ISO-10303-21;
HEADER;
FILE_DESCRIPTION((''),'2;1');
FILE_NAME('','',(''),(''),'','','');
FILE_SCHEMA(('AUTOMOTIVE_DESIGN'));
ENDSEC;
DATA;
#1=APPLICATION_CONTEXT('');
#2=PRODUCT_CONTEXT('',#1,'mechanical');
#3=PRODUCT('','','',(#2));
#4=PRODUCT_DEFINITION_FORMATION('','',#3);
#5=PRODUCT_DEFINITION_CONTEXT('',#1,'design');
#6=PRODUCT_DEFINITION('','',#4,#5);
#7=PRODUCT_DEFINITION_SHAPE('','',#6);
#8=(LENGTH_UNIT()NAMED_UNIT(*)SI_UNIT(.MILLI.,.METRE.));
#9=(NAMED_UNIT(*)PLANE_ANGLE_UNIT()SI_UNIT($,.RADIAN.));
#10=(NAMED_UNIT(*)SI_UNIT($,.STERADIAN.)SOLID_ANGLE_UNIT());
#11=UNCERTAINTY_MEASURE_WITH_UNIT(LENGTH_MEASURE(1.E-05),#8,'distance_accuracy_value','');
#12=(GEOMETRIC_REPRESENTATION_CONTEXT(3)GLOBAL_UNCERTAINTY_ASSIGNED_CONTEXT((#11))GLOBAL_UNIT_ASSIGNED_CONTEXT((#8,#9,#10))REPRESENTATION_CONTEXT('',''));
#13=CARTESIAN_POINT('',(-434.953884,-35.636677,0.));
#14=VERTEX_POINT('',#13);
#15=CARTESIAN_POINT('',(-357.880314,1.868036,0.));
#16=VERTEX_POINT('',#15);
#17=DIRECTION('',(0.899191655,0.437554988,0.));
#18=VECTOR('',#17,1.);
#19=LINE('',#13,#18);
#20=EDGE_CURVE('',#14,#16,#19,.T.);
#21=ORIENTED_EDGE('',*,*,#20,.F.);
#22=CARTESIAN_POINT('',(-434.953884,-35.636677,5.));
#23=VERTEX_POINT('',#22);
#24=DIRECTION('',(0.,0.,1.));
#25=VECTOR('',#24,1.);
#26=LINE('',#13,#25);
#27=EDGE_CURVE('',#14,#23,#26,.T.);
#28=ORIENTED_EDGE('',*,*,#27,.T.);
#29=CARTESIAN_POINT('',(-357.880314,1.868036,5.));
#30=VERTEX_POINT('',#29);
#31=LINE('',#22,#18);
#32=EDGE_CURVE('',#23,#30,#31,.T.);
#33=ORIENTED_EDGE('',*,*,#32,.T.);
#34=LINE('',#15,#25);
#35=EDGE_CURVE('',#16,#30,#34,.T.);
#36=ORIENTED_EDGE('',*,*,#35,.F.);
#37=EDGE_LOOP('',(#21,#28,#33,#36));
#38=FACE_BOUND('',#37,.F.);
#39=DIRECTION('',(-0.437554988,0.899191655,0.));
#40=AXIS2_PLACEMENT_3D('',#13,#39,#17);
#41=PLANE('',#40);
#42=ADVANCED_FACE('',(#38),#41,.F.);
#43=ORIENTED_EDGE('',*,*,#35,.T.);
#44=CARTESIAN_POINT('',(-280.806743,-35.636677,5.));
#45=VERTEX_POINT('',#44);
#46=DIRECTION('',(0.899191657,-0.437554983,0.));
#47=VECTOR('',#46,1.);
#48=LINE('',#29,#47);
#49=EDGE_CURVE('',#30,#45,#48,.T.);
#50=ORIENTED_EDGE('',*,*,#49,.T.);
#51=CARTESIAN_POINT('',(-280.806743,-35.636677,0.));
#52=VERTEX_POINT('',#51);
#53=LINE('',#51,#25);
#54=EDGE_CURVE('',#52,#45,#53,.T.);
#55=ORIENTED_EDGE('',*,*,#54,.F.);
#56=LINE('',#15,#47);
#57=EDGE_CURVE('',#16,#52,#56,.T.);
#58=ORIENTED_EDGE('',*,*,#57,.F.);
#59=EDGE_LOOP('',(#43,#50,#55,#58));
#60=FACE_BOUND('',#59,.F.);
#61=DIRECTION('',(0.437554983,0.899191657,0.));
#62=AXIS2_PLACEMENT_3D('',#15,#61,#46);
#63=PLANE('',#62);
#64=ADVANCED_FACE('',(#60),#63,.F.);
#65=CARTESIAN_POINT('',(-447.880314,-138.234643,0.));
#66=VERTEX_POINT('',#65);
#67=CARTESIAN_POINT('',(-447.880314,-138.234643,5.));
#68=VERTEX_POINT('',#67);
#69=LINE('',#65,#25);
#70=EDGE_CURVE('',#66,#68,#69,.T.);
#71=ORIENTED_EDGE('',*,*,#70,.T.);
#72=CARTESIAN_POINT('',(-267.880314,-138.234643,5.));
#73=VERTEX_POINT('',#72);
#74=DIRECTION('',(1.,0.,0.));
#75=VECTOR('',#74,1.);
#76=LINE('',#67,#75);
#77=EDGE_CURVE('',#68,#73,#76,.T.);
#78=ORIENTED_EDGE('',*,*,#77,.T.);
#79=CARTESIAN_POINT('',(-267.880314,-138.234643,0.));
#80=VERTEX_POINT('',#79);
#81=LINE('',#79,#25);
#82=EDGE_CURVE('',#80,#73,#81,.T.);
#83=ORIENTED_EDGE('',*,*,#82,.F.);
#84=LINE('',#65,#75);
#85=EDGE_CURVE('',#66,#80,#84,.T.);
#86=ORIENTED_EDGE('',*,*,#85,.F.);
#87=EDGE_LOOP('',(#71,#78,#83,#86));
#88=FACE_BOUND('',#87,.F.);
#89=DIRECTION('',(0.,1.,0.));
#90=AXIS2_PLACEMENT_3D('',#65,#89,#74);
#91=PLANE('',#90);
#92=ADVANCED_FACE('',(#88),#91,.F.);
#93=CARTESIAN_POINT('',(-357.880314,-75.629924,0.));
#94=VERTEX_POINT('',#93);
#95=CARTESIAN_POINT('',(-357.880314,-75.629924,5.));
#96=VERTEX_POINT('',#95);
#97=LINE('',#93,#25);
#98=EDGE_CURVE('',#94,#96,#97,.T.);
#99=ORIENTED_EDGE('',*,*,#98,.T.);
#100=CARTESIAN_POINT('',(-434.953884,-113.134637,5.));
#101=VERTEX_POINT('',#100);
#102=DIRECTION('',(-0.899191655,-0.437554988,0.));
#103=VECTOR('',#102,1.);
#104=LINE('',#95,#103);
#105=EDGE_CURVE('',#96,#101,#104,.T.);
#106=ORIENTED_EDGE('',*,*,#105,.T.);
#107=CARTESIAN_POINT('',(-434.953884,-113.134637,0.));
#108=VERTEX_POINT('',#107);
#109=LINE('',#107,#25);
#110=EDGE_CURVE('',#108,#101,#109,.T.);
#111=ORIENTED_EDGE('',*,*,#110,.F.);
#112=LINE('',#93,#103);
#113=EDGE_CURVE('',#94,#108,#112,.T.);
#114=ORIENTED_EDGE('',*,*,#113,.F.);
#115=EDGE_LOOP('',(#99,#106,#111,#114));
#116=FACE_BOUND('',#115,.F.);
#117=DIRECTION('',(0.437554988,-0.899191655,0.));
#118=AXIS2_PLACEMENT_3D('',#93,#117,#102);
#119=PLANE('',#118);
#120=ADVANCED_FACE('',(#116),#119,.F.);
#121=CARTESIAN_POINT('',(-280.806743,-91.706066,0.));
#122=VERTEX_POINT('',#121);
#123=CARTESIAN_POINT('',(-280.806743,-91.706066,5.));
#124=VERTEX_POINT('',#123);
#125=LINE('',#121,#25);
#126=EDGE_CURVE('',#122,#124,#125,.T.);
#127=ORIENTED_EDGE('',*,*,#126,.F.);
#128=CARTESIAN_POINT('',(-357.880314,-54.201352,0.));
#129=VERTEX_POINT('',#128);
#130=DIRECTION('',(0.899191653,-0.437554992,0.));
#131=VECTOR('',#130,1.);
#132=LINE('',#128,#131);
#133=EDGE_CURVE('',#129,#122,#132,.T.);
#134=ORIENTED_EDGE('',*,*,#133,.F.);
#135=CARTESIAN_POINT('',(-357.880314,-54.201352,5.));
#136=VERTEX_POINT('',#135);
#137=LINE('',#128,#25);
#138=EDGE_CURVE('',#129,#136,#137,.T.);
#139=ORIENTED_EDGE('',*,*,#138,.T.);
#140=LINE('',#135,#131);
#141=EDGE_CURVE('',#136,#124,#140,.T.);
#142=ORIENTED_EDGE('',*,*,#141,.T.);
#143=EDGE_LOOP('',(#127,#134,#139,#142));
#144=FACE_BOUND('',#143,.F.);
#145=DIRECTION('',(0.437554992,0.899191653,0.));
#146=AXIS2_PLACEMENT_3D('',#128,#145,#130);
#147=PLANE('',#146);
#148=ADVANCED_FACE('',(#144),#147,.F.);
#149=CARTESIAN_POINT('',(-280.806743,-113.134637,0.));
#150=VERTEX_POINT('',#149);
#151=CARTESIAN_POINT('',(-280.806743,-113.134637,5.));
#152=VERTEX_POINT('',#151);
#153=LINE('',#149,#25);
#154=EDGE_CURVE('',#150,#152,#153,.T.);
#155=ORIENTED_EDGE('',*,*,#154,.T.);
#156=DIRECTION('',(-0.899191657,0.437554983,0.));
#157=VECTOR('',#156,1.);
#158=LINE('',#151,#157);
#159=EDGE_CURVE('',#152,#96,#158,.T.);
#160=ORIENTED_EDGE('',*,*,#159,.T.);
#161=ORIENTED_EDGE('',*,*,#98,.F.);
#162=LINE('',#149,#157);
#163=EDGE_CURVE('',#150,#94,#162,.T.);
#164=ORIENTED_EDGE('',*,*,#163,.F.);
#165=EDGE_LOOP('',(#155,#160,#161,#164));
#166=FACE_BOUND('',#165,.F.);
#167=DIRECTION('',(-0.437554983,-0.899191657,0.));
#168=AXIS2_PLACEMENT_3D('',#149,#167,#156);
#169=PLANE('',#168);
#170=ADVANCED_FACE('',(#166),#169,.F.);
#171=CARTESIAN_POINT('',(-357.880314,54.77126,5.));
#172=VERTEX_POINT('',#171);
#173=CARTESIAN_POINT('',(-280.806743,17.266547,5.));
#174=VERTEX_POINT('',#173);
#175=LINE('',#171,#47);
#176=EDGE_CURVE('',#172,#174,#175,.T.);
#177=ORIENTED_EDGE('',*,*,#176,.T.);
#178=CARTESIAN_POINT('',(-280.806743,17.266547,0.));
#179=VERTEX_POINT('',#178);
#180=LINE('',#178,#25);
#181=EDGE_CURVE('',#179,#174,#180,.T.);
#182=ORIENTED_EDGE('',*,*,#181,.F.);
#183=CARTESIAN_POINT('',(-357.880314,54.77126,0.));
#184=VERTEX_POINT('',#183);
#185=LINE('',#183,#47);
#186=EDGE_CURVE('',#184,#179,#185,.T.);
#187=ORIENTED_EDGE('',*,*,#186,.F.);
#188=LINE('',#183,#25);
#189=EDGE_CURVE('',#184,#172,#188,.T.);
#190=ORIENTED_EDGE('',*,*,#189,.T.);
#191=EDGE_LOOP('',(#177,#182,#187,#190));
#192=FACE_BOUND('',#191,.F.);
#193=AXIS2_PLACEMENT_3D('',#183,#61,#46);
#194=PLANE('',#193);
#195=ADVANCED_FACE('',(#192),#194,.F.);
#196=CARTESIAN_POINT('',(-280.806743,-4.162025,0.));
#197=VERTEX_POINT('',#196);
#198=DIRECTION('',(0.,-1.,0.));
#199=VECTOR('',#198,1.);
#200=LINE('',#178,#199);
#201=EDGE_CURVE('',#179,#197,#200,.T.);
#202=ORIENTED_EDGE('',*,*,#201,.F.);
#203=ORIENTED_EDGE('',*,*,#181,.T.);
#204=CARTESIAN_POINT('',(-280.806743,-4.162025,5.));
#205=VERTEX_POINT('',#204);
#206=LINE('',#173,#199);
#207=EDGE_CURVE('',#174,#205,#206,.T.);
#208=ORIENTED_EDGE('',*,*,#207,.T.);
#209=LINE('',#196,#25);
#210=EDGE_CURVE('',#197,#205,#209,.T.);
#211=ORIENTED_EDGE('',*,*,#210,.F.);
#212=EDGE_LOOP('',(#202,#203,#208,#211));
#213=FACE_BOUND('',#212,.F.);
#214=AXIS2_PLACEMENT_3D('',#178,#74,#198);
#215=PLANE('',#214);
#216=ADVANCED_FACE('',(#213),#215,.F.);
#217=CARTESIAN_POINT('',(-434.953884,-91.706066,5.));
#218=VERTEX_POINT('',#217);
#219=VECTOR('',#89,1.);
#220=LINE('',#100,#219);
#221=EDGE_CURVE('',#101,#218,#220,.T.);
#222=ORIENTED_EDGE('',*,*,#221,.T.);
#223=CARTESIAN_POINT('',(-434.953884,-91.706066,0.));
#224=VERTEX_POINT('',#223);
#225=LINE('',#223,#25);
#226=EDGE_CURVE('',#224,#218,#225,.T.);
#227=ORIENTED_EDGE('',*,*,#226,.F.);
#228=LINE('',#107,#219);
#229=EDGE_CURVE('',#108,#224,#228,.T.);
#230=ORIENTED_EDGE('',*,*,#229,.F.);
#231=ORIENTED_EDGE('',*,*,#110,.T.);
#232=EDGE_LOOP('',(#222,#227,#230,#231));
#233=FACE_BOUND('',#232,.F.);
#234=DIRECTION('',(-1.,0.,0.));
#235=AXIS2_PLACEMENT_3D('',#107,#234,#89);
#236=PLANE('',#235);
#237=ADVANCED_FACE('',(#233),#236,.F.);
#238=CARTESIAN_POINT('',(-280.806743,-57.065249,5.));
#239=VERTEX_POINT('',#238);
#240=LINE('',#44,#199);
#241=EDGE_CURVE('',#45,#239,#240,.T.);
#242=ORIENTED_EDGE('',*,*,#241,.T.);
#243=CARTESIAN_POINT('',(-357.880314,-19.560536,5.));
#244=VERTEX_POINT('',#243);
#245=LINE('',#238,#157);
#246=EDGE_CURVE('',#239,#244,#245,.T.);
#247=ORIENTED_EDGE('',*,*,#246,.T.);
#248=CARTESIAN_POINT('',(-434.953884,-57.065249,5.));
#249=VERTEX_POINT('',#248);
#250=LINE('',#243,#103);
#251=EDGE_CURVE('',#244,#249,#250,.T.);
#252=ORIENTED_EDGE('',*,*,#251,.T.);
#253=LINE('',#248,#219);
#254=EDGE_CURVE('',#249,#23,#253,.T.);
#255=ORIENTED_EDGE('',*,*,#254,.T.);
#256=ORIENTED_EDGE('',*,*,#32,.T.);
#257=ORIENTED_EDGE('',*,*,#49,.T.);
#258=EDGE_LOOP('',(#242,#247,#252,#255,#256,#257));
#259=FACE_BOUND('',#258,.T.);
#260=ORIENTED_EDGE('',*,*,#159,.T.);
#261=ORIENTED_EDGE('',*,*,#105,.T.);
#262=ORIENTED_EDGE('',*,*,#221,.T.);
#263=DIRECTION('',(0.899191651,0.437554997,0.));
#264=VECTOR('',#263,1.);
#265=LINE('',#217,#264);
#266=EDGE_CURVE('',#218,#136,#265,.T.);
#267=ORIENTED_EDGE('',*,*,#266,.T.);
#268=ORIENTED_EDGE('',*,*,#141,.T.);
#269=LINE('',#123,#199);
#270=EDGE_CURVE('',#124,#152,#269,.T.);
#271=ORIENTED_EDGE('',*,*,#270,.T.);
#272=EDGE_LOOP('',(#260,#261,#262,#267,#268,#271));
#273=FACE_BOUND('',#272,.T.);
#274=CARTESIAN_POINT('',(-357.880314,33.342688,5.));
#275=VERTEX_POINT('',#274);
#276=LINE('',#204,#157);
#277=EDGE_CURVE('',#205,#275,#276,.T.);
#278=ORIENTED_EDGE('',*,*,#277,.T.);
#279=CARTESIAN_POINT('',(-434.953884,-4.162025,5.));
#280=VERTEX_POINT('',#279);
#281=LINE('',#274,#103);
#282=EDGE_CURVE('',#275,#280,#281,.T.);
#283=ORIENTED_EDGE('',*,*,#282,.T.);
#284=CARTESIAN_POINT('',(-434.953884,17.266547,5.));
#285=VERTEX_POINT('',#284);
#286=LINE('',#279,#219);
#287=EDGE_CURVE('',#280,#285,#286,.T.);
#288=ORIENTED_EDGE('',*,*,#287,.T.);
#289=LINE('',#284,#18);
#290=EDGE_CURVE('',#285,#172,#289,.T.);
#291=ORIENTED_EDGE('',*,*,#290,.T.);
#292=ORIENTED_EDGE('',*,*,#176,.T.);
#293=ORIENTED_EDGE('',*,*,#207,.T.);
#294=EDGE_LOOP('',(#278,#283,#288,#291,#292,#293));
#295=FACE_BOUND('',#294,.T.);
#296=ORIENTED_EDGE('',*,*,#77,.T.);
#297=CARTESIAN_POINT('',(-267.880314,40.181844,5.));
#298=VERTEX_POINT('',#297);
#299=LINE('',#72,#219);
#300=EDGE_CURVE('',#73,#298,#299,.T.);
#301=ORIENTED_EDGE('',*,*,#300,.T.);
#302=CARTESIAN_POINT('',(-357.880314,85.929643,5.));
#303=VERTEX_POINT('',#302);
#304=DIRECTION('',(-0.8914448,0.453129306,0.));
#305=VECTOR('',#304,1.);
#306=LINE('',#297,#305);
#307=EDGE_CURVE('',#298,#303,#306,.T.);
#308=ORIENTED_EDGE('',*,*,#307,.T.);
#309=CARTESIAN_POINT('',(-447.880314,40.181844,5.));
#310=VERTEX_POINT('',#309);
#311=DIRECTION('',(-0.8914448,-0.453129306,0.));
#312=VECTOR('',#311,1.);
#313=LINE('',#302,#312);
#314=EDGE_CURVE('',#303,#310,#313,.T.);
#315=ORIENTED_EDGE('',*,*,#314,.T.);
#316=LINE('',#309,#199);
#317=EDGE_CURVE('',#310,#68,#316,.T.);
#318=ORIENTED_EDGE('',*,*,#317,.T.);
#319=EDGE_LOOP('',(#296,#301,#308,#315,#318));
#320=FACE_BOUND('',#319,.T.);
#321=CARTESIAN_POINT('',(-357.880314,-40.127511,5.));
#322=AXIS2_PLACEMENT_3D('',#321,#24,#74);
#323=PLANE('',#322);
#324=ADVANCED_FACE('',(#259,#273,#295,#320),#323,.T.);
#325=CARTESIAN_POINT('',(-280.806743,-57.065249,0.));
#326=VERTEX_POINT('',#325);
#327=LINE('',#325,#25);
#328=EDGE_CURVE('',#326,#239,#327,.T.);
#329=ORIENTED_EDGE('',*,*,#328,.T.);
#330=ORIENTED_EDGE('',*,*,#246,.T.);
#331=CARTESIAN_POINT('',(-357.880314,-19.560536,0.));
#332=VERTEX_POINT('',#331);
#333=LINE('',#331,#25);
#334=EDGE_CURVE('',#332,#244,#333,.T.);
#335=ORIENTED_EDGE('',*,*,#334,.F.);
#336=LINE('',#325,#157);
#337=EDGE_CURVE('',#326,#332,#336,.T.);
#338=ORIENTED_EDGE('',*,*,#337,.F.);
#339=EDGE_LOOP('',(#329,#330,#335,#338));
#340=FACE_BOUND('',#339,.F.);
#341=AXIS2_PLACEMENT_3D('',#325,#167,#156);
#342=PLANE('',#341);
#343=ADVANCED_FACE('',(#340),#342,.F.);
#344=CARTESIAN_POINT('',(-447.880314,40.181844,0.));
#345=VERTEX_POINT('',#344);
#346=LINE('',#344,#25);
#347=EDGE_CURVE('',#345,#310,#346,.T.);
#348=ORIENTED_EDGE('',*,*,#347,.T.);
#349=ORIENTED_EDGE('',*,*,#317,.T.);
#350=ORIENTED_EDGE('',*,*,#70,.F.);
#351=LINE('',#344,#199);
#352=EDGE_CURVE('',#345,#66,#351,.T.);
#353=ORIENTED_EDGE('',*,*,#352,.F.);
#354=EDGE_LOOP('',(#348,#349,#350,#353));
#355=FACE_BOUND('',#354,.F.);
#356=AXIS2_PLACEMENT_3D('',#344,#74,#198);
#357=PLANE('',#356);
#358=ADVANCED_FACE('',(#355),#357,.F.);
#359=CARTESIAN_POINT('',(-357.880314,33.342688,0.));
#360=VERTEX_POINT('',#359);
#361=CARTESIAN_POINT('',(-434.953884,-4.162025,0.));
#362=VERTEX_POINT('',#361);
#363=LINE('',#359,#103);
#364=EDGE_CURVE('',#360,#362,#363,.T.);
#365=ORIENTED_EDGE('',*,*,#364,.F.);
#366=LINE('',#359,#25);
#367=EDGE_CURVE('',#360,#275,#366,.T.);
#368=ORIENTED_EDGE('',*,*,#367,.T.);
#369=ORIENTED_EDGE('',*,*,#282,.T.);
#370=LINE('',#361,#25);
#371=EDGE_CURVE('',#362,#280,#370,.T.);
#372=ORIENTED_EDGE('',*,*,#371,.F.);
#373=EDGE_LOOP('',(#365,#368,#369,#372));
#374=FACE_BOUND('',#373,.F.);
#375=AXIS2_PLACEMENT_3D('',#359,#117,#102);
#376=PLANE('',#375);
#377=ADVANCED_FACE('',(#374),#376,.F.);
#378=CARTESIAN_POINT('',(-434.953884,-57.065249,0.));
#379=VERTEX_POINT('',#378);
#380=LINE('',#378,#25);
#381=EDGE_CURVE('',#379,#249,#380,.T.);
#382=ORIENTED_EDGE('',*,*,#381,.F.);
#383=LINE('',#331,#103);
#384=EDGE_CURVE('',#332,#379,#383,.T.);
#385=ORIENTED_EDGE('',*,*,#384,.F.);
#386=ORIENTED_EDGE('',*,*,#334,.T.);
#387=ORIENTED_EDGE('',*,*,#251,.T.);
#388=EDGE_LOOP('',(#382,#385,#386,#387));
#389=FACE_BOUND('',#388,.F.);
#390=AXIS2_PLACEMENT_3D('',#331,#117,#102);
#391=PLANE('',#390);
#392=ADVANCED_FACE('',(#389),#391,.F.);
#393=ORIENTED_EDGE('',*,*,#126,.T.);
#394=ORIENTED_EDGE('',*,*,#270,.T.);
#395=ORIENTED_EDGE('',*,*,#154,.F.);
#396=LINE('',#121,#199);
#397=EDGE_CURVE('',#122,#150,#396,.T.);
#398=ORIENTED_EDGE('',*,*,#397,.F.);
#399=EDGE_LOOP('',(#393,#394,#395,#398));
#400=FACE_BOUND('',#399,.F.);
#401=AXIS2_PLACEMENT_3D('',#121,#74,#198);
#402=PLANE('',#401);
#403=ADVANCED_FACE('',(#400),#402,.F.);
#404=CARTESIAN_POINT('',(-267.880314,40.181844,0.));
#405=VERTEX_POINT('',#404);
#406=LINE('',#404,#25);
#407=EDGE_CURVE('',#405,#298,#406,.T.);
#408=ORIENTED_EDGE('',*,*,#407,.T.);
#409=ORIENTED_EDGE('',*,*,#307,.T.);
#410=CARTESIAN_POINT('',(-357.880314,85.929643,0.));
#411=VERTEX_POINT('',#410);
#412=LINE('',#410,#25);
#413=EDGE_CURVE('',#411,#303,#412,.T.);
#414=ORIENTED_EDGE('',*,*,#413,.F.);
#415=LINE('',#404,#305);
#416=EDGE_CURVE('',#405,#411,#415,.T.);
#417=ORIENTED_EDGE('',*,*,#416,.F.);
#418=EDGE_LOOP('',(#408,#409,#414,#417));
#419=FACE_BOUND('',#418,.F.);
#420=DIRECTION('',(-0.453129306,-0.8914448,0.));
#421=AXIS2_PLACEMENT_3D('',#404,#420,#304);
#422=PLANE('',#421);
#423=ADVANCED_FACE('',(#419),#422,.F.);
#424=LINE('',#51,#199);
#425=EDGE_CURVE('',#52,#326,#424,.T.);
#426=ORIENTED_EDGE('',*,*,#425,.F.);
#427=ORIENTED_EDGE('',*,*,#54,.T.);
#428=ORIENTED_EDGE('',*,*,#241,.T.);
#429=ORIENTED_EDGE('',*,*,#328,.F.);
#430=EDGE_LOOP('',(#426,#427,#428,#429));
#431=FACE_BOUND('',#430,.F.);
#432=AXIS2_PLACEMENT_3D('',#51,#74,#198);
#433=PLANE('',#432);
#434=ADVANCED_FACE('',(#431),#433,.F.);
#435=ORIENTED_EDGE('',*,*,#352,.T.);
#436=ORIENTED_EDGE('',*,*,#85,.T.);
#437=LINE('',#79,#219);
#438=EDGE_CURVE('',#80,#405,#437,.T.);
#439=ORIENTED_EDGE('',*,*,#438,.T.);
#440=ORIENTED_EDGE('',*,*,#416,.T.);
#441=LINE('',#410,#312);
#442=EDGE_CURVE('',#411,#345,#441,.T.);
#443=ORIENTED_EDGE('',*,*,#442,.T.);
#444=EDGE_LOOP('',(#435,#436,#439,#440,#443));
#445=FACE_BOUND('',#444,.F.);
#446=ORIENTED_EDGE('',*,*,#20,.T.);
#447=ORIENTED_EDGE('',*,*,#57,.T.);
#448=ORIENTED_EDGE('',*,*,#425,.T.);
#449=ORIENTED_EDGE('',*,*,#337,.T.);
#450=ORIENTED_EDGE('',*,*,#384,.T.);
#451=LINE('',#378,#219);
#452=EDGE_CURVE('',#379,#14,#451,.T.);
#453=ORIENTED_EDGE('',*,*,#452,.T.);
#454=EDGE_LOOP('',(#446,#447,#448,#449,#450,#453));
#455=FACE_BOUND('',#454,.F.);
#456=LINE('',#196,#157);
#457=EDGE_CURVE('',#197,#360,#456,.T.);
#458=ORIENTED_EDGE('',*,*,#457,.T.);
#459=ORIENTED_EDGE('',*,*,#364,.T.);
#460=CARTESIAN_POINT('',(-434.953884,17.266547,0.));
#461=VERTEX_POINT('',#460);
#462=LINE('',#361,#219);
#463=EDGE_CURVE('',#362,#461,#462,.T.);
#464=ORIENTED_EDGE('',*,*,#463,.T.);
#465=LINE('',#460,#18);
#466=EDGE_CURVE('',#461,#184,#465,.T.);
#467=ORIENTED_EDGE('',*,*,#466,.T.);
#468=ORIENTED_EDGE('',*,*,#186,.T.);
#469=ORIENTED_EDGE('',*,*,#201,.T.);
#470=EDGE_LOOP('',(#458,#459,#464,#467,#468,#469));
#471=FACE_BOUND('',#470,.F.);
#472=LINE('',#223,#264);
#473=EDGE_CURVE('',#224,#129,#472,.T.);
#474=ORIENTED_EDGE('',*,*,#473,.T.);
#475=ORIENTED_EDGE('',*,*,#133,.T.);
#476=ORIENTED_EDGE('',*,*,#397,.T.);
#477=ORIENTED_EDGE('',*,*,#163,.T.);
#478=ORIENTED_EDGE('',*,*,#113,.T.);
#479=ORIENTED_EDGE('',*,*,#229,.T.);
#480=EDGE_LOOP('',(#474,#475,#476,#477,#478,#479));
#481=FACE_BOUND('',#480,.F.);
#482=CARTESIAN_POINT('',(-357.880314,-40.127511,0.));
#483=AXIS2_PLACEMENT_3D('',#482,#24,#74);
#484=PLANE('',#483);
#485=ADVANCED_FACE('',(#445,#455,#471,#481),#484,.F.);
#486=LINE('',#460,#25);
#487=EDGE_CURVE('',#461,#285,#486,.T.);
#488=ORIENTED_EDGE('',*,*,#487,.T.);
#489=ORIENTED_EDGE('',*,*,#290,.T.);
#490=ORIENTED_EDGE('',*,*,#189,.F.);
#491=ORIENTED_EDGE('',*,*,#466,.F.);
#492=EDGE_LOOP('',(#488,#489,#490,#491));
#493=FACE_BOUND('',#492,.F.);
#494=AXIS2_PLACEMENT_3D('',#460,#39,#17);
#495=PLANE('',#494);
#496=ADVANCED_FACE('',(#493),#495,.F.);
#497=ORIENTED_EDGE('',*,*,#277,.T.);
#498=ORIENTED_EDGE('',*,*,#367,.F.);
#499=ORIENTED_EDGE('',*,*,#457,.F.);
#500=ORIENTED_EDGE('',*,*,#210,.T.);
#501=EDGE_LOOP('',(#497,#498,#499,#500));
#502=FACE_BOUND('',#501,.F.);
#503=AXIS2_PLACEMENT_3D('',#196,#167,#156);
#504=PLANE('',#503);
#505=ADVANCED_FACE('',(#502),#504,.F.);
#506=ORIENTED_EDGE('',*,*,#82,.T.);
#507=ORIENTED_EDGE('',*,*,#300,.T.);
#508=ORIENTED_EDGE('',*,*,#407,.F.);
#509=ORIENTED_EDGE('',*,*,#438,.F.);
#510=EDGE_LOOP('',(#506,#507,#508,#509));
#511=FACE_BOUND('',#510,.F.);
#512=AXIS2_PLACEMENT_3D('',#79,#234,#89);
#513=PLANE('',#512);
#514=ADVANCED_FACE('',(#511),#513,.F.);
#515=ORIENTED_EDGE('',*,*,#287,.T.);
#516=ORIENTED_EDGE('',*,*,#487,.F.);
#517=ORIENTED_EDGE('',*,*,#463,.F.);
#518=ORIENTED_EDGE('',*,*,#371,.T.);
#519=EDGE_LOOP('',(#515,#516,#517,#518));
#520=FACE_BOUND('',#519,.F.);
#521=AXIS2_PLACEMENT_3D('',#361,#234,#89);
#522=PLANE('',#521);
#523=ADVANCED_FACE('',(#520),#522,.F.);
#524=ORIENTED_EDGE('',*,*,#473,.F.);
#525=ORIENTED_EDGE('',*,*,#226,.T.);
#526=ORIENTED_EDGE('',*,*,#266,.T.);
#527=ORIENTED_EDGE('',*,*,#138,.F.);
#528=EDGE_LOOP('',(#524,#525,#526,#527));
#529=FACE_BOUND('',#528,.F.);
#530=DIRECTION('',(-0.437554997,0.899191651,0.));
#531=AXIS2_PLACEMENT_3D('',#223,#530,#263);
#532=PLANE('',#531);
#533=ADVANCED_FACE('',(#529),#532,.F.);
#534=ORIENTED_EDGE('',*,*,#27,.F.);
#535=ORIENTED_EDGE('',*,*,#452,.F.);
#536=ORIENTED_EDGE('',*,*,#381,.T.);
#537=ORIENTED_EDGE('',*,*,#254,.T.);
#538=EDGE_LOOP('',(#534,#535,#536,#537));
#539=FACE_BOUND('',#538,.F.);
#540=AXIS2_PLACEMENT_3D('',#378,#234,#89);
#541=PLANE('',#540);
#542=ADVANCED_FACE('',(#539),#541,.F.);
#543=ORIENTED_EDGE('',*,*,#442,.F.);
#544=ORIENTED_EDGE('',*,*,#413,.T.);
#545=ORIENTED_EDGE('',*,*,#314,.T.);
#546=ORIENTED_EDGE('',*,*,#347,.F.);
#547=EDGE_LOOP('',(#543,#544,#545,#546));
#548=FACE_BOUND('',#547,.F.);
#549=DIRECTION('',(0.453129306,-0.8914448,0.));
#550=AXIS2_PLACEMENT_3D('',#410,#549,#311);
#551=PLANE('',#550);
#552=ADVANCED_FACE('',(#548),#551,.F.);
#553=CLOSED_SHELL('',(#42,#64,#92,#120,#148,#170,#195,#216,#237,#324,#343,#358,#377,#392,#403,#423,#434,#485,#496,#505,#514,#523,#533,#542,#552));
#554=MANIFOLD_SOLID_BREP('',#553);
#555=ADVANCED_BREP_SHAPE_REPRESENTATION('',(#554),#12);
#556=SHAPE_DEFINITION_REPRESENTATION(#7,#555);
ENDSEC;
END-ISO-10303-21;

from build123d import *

# Parameters (mm, degrees)
F1_DEPTH = 5


with BuildPart() as f1:
    # F0 (on Top) → F1 (new body)
    with BuildSketch(Plane.XY):
        Polygon((-357.880314, 85.929643), (-447.880314, 40.181844), (-447.880314, -138.234643), (-267.880314, -138.234643), (-267.880314, 40.181844), align=None)
        Polygon((-434.953884, -91.706066), (-357.880314, -54.201352), (-280.806743, -91.706066), (-280.806743, -113.134637), (-357.880314, -75.629924), (-434.953884, -113.134637), align=None, mode=Mode.SUBTRACT)
        Polygon((-434.953884, -35.636677), (-357.880314, 1.868036), (-280.806743, -35.636677), (-280.806743, -57.065249), (-357.880314, -19.560536), (-434.953884, -57.065249), align=None, mode=Mode.SUBTRACT)
        Polygon((-434.953884, 17.266547), (-357.880314, 54.77126), (-280.806743, 17.266547), (-280.806743, -4.162025), (-357.880314, 33.342688), (-434.953884, -4.162025), align=None, mode=Mode.SUBTRACT)
    extrude(amount=F1_DEPTH)


solid = f1.part
